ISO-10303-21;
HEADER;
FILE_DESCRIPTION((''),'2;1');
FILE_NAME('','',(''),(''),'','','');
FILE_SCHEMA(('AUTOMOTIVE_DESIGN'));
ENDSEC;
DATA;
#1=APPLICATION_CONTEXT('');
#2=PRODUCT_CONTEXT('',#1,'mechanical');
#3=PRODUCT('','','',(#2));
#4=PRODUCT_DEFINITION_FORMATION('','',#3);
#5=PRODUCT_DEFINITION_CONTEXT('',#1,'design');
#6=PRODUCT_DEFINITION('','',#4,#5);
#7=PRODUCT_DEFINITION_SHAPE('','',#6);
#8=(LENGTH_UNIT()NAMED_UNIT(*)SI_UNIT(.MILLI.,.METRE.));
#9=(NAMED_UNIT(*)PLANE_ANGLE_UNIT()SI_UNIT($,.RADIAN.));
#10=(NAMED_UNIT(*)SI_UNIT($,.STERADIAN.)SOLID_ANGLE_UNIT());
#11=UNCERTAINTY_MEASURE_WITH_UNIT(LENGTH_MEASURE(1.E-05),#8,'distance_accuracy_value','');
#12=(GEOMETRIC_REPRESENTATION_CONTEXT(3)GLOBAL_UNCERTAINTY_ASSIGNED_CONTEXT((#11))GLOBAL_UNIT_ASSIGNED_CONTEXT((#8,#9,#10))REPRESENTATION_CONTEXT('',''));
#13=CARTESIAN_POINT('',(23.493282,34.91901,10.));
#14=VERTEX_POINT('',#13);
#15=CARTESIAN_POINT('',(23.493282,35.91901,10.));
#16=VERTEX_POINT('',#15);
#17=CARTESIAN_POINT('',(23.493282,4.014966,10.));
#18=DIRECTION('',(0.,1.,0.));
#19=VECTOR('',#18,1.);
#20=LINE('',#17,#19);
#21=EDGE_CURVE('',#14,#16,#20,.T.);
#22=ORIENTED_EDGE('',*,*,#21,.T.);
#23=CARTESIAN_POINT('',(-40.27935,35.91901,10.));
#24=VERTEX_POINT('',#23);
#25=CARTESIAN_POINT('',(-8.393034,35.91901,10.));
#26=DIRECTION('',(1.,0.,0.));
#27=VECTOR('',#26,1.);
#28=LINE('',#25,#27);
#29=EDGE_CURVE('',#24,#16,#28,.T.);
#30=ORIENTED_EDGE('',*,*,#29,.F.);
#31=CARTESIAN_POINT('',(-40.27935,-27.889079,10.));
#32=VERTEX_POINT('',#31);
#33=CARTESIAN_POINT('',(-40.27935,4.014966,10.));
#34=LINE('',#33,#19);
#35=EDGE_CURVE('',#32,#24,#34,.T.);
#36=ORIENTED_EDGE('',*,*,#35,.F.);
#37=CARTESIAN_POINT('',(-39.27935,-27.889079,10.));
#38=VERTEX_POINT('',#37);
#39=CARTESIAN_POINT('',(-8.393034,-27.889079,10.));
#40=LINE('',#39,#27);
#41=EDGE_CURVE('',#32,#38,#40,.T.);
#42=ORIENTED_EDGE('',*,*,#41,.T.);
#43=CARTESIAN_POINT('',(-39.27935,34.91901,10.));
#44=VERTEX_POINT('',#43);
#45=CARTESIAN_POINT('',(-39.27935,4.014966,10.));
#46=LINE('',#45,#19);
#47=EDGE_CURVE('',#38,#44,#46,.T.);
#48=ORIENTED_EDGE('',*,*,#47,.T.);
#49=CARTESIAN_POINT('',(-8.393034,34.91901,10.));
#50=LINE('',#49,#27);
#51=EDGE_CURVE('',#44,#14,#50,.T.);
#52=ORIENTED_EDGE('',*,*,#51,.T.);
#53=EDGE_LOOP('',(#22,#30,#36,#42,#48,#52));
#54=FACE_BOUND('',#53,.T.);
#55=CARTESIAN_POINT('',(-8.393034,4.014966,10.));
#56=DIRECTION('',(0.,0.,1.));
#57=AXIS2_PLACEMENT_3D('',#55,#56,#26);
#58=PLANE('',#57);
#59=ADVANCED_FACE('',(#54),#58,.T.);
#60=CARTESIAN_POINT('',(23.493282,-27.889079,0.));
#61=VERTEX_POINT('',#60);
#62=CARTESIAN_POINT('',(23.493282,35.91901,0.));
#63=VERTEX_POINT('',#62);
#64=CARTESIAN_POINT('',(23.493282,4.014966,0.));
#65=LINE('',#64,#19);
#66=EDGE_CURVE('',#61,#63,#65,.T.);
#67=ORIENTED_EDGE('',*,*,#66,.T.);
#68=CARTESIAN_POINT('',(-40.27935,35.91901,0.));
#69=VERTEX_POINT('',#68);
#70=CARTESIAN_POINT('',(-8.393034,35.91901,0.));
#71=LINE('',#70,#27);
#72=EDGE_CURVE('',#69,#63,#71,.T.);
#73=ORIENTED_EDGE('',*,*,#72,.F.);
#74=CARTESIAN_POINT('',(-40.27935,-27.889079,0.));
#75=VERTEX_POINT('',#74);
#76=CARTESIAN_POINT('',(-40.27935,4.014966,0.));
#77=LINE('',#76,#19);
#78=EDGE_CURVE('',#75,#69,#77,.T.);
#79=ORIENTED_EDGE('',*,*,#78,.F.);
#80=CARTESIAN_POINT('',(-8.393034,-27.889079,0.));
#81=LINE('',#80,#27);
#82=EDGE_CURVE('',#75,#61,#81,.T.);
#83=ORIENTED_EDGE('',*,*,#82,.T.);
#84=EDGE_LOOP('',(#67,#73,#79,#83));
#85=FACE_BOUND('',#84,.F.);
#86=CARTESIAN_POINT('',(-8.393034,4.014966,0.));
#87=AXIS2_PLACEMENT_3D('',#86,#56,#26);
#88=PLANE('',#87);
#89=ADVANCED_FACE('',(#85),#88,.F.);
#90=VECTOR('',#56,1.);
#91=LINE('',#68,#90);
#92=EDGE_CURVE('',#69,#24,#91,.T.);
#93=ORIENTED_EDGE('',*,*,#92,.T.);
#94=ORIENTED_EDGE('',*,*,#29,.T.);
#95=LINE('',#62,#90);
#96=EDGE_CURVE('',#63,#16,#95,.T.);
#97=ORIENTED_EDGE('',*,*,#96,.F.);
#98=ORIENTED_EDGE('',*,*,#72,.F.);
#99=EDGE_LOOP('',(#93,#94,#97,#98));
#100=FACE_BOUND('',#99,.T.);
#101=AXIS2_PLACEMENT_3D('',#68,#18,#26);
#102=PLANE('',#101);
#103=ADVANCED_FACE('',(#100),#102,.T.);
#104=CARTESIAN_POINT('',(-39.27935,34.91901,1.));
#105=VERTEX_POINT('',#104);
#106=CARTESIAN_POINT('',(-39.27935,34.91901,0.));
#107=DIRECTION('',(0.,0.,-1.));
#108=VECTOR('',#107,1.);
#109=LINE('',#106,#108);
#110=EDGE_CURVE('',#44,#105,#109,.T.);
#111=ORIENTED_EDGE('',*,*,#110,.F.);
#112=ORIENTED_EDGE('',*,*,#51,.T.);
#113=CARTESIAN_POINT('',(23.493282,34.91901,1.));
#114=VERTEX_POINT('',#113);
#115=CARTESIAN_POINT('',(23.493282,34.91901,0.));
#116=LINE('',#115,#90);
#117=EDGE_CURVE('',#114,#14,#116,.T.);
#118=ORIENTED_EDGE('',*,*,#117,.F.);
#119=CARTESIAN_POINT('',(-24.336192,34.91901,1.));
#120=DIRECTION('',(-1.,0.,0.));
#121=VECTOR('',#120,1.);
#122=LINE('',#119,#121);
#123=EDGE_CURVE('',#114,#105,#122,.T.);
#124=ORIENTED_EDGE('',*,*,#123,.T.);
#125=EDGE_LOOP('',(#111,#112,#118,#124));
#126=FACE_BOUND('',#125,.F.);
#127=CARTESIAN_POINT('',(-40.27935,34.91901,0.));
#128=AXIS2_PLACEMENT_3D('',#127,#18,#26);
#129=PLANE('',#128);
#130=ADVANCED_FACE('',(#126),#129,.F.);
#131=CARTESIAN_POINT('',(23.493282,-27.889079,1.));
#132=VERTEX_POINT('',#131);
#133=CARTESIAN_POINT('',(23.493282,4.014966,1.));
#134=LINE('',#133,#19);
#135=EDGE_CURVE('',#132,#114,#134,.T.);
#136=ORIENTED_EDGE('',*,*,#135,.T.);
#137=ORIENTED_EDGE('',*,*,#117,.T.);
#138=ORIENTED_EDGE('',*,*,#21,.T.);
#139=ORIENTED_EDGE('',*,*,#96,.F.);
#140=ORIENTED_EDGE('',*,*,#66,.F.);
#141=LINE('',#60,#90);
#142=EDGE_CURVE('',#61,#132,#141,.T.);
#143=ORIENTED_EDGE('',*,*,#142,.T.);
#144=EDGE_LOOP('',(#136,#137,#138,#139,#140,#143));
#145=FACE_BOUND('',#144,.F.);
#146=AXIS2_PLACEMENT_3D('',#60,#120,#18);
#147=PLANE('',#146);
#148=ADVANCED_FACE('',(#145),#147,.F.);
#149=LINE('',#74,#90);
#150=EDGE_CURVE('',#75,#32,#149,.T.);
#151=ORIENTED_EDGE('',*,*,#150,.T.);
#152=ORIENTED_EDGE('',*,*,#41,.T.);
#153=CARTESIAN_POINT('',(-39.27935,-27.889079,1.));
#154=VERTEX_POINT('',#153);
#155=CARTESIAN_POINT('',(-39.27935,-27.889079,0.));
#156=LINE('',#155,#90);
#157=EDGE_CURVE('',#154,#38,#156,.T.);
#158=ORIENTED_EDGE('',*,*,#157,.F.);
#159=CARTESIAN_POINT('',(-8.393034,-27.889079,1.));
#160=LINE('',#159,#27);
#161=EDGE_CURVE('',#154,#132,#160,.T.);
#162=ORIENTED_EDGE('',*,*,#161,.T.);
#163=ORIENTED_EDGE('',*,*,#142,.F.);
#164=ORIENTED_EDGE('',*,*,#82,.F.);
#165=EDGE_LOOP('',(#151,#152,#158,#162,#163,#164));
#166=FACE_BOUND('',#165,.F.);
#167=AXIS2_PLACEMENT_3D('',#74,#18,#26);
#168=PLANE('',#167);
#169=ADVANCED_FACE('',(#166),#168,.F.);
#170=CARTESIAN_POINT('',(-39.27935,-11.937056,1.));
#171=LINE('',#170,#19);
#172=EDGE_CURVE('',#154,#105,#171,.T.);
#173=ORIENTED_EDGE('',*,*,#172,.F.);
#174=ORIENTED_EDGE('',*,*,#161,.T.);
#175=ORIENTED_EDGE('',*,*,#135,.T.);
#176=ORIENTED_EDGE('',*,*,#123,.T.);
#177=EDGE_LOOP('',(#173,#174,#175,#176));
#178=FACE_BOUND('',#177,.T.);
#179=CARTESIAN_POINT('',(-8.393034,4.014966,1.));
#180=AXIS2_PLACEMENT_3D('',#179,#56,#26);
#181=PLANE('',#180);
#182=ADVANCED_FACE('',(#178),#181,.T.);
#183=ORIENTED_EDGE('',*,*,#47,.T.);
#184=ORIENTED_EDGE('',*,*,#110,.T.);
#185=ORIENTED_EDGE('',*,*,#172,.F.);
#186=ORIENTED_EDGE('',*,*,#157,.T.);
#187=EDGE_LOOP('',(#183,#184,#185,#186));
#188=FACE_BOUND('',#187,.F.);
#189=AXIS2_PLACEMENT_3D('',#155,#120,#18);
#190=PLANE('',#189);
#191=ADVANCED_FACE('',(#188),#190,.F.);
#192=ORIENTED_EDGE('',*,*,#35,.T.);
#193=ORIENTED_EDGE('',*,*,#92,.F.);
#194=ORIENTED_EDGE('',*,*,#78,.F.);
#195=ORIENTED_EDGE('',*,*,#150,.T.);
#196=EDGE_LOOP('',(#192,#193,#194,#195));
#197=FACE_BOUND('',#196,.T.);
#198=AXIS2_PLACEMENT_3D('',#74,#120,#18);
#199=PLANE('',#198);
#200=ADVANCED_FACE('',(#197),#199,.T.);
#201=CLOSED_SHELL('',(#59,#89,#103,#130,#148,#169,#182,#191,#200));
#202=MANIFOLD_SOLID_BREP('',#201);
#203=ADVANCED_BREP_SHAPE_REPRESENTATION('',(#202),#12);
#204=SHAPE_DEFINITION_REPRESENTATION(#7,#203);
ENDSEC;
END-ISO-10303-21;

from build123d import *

# Parameters (mm, degrees)
F0_W     = 63.772633
F0_H     = 63.808089
F1_DEPTH = 10
F2_T     = -1


with BuildPart() as f1:
    # F0 (on Top) → F1 (new body)
    with BuildSketch(Plane.XY):
        with Locations((-8.393034, 4.014966)):
            Rectangle(F0_W, F0_H)
    extrude(amount=F1_DEPTH)

    # F2
    f2_openings = [f1.faces().sort_by_distance(p)[0] for p in [
        (23.493282, 4.014966, 5),
        (-8.393034, -27.889078, 5),
        (-8.393034, 4.014966, 10),
    ]]
    offset(amount=F2_T, openings=f2_openings)


solid = f1.part
